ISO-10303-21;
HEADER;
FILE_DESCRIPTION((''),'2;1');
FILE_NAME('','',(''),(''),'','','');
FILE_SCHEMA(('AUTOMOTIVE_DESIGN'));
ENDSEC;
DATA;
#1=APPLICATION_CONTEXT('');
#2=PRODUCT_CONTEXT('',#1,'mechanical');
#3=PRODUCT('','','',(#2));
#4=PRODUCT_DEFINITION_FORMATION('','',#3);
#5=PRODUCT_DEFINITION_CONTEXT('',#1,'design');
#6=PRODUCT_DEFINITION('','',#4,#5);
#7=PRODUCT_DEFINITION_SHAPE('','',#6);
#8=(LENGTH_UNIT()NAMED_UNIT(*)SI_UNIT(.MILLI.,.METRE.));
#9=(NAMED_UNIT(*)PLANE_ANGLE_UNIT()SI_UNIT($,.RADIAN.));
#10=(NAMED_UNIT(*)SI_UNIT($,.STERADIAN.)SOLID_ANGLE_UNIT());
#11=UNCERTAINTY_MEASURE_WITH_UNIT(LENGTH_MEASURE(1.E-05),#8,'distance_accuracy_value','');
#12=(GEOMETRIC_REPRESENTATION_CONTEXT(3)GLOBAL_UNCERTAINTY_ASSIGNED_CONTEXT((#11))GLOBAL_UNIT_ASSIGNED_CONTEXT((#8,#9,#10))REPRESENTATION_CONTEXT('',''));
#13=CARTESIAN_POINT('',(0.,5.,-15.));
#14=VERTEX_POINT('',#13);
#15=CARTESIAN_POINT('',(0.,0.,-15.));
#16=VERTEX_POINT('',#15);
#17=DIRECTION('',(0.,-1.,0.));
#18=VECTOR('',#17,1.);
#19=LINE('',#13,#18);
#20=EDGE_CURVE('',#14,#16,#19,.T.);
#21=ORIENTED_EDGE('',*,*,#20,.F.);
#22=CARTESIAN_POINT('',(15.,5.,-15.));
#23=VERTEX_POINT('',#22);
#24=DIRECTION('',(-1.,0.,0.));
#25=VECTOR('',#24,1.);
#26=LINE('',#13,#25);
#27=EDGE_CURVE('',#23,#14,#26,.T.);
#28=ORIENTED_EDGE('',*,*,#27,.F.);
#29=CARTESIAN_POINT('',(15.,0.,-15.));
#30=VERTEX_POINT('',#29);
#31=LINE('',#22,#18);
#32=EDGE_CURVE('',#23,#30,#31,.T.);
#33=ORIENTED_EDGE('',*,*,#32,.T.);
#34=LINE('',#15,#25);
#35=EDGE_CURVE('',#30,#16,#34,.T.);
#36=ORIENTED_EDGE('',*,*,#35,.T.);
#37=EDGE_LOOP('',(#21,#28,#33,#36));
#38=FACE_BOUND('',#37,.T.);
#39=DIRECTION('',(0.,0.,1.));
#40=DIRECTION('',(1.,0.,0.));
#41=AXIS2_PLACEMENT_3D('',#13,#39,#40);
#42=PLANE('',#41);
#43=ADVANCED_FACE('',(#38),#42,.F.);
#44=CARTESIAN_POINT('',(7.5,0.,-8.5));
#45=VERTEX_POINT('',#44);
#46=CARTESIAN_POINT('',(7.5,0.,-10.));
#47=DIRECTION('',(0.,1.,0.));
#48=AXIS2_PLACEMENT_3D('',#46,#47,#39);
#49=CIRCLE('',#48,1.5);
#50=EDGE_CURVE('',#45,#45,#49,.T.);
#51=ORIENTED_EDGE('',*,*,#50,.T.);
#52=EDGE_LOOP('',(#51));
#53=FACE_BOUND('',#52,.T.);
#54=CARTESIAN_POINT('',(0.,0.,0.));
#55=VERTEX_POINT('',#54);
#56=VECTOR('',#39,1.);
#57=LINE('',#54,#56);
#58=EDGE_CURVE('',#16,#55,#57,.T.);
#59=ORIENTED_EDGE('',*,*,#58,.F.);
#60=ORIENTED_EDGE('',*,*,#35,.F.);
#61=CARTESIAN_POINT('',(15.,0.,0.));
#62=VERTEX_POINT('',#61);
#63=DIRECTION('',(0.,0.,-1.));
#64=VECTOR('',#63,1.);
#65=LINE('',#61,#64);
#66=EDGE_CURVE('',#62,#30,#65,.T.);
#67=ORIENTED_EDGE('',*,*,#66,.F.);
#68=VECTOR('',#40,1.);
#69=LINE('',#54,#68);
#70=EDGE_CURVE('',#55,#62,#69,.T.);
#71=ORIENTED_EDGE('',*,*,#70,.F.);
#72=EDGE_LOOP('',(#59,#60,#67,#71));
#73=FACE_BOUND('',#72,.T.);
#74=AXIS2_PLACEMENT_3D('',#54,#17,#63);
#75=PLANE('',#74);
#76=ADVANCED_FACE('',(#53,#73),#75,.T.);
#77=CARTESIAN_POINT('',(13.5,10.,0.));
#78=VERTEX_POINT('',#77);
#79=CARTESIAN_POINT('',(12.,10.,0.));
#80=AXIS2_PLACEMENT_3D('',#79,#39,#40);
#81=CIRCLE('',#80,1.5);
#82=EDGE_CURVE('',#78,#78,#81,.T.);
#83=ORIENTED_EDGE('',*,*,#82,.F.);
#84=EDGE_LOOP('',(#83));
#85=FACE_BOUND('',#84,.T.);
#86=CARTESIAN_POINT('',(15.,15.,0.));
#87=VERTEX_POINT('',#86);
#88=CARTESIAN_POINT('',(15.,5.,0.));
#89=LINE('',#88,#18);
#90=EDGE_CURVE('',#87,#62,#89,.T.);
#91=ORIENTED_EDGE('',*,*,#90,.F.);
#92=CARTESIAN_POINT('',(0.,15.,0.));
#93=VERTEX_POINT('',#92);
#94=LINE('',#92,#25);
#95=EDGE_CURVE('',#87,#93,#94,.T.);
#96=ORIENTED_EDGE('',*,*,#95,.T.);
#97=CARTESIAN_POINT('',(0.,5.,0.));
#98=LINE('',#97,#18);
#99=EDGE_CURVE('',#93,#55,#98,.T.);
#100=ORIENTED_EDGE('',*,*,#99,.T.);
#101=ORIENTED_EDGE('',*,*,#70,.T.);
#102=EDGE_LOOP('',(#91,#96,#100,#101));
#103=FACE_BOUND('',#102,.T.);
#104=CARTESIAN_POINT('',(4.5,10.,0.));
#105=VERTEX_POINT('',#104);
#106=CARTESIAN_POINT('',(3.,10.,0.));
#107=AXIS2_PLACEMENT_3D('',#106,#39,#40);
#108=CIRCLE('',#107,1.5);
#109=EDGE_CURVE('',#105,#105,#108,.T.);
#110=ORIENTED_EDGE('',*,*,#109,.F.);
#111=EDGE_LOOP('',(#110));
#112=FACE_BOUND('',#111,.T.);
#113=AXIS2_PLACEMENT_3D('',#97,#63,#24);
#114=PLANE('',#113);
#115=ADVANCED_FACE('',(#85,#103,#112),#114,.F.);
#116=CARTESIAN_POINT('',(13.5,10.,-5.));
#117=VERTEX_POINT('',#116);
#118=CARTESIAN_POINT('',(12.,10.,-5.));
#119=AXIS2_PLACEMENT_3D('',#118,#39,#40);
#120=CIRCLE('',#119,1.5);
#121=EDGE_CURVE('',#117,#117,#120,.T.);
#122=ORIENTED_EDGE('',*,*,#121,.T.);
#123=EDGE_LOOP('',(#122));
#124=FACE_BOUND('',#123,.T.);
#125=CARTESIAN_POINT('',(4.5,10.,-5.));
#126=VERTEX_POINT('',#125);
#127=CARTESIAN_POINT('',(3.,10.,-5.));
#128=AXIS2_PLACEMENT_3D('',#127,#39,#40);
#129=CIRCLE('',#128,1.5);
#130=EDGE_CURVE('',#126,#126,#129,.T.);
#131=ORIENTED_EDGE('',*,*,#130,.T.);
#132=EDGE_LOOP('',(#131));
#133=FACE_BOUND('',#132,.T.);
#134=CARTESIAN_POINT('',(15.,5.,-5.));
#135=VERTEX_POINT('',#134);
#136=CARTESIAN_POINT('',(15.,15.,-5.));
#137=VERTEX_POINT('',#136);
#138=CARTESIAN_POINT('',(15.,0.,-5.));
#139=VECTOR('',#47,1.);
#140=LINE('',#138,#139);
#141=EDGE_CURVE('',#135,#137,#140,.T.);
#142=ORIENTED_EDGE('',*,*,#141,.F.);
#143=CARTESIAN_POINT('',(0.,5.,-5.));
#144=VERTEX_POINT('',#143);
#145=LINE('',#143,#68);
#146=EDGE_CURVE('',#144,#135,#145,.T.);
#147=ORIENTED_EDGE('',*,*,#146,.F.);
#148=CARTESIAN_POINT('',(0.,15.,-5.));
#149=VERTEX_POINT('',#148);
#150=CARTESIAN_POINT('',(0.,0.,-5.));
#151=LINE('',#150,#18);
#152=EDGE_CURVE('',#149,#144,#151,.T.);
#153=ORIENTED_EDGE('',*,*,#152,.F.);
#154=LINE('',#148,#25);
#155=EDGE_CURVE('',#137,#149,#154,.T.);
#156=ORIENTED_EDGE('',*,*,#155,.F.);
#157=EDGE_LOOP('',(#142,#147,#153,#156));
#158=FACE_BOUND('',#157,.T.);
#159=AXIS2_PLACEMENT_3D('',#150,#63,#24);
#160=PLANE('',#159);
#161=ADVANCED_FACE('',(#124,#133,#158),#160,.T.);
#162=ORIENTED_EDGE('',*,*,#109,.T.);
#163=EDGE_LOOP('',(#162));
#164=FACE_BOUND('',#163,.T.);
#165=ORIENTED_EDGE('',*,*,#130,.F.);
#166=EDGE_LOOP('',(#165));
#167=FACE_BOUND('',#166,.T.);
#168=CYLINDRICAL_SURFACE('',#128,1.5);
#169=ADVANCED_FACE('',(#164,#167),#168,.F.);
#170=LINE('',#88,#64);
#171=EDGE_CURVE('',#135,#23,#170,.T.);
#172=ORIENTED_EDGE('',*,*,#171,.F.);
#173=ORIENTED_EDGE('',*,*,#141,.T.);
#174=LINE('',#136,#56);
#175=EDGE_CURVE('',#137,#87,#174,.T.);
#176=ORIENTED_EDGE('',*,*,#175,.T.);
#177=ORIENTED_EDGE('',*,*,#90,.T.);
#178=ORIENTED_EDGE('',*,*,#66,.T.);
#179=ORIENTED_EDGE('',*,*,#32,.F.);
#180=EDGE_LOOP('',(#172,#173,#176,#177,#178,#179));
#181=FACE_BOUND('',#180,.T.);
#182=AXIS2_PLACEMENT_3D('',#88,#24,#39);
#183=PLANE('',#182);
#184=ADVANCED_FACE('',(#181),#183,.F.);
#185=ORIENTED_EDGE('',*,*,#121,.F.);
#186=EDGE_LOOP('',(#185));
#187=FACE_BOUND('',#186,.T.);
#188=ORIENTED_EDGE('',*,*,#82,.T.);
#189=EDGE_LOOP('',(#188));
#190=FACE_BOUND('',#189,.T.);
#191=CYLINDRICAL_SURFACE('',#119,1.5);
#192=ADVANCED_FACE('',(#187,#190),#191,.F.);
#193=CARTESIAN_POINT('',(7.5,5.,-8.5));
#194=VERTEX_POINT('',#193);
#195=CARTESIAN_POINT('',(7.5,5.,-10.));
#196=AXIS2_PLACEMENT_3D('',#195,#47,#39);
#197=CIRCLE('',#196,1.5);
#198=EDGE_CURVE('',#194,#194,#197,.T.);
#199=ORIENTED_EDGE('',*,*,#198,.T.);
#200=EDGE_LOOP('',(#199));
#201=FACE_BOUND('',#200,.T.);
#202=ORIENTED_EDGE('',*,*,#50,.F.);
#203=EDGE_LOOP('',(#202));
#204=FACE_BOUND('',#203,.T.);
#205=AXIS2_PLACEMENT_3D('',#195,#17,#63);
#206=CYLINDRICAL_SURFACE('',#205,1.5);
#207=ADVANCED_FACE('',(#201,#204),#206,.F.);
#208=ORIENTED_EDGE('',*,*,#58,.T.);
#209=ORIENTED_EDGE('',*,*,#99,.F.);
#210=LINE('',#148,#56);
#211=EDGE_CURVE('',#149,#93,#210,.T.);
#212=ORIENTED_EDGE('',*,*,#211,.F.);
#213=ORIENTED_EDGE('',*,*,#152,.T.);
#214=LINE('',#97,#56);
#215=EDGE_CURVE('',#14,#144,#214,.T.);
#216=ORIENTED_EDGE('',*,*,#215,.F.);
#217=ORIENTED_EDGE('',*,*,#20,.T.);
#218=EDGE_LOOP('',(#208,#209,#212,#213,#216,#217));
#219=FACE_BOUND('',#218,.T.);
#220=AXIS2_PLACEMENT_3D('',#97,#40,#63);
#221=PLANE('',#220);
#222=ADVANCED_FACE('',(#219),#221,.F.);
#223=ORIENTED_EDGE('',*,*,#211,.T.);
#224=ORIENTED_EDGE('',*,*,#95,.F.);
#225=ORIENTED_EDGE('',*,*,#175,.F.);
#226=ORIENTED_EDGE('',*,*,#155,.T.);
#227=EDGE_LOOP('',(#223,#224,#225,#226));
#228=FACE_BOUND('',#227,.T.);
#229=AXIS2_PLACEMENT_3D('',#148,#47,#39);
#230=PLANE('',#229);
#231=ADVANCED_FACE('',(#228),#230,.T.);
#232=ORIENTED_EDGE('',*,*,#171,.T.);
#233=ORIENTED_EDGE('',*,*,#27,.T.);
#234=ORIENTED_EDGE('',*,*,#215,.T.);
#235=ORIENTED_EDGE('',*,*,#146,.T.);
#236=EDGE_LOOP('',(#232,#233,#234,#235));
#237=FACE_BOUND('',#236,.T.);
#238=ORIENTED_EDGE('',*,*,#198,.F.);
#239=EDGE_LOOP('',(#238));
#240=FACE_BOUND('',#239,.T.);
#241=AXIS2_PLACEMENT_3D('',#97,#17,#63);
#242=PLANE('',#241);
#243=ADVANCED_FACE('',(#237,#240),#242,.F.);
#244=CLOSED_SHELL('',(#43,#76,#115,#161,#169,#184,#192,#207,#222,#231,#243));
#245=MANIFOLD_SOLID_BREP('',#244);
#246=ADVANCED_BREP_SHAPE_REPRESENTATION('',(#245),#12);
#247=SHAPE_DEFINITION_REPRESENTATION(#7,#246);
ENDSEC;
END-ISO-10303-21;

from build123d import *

# Parameters (mm, degrees)
SKETCH_1_W      = 15
SKETCH_1_H      = 15
SKETCH_1_R      = 1.5
EXTRUDE_1_DEPTH = 5
SKETCH_2_W      = 15
SKETCH_2_H      = 15
SKETCH_2_R      = 1.5
EXTRUDE_2_DEPTH = 5


with BuildPart() as part:
    # 草图1 → 凸台-拉伸1 (new body)
    with BuildSketch(Plane(origin=(0, 0, 0), x_dir=(1, 0, 0), z_dir=(0, 1, 0))):
        with Locations((7.5, 7.5)):
            Rectangle(SKETCH_1_W, SKETCH_1_H)
        with Locations(Location((7.5, 10, 0), (0, 0, 270))):
            Circle(SKETCH_1_R, mode=Mode.SUBTRACT)
    extrude(amount=EXTRUDE_1_DEPTH)

    # 草图2 → 凸台-拉伸2 (add)
    with BuildSketch(Plane.XY):
        with Locations((7.5, 7.5)):
            Rectangle(SKETCH_2_W, SKETCH_2_H)
        with Locations((3, 10)):
            Circle(SKETCH_2_R, mode=Mode.SUBTRACT)
        with Locations((12, 10)):
            Circle(SKETCH_2_R, mode=Mode.SUBTRACT)
    extrude(amount=-EXTRUDE_2_DEPTH)


solid = part.part
